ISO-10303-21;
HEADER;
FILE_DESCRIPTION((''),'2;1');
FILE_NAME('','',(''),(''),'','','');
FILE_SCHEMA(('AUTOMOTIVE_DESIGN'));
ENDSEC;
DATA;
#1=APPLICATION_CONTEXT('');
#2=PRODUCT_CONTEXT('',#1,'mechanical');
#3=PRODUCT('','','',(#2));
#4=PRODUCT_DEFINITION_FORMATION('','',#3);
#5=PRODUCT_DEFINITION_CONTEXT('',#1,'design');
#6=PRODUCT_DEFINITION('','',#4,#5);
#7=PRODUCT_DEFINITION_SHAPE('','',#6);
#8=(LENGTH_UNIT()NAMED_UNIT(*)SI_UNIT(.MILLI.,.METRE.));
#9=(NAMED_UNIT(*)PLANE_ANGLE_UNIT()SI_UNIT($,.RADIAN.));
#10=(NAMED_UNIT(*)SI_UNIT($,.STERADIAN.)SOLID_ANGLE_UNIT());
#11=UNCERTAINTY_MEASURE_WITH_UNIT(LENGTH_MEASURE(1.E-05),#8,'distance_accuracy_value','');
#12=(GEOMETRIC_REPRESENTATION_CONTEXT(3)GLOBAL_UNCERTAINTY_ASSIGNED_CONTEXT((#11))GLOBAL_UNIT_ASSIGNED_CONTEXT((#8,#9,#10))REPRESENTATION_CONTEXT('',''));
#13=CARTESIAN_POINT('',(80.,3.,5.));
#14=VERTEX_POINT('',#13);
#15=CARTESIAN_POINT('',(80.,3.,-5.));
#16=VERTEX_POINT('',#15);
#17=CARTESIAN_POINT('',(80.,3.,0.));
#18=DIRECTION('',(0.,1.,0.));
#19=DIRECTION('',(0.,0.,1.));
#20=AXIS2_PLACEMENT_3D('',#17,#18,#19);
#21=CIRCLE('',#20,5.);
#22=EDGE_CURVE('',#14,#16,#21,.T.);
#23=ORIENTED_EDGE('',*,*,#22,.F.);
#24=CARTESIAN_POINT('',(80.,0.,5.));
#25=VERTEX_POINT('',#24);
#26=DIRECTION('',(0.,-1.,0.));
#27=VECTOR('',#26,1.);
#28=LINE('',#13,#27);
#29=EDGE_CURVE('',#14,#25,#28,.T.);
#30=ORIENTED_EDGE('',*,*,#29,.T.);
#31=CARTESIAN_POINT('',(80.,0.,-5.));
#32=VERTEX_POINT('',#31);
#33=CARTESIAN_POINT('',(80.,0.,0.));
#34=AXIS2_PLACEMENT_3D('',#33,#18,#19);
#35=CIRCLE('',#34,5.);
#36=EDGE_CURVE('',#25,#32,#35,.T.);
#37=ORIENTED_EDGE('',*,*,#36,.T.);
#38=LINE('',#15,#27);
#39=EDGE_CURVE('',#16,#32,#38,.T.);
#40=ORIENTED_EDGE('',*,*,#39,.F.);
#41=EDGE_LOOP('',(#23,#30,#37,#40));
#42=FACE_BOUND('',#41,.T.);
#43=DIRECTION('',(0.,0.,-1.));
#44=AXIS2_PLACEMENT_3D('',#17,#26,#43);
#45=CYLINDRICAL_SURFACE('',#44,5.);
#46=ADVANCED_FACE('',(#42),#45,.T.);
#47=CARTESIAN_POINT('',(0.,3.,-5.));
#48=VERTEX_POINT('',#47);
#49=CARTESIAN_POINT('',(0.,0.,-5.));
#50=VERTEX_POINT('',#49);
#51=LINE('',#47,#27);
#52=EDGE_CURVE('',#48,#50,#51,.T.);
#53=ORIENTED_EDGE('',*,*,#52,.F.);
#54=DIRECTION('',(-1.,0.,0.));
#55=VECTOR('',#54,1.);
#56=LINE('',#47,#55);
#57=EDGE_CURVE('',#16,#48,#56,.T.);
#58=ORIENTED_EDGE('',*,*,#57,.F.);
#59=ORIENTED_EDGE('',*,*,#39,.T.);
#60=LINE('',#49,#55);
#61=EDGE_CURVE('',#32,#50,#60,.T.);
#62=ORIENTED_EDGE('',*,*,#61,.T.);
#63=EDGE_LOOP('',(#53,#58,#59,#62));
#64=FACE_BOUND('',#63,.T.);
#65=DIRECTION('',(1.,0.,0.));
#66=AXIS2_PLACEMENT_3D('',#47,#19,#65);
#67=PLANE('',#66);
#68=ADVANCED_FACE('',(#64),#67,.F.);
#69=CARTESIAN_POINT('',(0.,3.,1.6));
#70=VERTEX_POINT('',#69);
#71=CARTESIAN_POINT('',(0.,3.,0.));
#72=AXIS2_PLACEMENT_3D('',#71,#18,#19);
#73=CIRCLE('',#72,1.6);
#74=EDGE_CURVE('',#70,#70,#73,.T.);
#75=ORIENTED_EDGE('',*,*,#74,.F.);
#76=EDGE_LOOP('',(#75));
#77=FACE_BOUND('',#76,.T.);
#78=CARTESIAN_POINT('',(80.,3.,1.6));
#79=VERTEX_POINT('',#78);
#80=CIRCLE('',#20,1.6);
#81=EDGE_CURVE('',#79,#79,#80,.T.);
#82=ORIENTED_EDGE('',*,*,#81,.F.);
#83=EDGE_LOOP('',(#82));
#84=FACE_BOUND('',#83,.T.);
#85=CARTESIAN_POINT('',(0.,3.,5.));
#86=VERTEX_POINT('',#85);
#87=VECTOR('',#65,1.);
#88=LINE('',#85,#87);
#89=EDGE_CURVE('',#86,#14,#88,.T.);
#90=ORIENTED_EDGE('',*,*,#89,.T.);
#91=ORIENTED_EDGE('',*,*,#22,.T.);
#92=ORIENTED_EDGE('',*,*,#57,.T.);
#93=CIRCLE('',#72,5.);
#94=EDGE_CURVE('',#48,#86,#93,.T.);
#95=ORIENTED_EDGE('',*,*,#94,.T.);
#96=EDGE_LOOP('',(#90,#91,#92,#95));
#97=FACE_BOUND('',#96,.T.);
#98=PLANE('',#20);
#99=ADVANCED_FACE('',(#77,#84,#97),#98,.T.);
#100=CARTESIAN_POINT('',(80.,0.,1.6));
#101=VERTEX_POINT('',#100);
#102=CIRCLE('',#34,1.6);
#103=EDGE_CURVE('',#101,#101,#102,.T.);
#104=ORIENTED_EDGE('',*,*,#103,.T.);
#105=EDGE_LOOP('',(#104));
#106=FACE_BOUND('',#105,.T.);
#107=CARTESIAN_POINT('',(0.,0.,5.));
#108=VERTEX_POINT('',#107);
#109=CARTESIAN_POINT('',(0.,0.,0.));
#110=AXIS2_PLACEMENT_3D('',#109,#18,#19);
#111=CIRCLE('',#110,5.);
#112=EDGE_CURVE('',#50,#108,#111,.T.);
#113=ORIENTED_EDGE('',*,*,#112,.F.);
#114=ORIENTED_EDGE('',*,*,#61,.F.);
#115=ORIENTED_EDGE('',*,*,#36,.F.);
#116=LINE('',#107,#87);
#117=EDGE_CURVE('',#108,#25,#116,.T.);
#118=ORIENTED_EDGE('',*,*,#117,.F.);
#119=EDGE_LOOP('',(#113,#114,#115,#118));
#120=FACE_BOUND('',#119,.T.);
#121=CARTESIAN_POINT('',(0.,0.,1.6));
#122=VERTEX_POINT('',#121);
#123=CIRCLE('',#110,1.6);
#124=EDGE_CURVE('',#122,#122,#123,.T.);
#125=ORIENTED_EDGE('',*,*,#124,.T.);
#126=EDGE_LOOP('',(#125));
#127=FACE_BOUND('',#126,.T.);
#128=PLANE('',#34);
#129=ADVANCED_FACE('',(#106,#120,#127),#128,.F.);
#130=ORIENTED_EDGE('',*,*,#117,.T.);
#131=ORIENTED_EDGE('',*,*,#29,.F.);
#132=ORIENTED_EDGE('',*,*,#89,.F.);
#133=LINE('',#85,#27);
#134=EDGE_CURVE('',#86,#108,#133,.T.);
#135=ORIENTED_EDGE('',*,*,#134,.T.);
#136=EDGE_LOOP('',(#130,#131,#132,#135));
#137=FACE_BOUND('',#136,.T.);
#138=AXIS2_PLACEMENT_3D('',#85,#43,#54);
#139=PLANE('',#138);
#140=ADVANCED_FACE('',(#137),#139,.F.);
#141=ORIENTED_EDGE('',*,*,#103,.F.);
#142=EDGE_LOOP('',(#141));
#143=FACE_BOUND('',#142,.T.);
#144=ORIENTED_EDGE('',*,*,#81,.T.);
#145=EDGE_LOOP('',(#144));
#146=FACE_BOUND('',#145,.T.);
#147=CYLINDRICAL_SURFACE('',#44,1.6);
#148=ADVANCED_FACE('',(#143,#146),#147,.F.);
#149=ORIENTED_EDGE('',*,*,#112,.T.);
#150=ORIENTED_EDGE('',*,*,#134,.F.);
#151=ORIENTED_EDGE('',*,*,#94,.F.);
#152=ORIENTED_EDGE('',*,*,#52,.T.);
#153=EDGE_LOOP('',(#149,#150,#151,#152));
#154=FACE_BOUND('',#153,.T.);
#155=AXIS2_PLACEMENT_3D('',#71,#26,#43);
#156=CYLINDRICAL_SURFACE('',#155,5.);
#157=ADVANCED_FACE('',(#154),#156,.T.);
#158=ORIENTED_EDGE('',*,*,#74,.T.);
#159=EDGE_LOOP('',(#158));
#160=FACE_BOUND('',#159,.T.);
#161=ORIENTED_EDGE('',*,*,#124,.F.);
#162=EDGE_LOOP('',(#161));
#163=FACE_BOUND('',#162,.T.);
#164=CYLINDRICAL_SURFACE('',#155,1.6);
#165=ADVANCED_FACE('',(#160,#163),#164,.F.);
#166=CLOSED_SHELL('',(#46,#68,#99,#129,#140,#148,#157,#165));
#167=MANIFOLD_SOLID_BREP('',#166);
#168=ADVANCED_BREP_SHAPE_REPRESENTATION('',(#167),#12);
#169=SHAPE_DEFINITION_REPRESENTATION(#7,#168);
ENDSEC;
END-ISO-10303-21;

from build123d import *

# Parameters (mm, degrees)
SKETCH_1_R      = 1.6
EXTRUDE_1_DEPTH = 3


with BuildPart() as part:
    # ｽｹｯﾁ1 → ﾎﾞｽ - 押し出し1 (new body)
    with BuildSketch(Plane(origin=(0, 0, 0), x_dir=(1, 0, 0), z_dir=(0, 1, 0))):
        with BuildLine():
            Line((0, -5), (80, -5))
            ThreePointArc((80, -5), (85, 0), (80, 5))
            Line((80, 5), (0, 5))
            ThreePointArc((0, 5), (-5, 0), (0, -5))
        make_face()
        with Locations(Location((0, 0, 0), (0, 0, 270))):
            Circle(SKETCH_1_R, mode=Mode.SUBTRACT)
        with Locations(Location((80, 0, 0), (0, 0, 270))):
            Circle(SKETCH_1_R, mode=Mode.SUBTRACT)
    extrude(amount=EXTRUDE_1_DEPTH)


solid = part.part
